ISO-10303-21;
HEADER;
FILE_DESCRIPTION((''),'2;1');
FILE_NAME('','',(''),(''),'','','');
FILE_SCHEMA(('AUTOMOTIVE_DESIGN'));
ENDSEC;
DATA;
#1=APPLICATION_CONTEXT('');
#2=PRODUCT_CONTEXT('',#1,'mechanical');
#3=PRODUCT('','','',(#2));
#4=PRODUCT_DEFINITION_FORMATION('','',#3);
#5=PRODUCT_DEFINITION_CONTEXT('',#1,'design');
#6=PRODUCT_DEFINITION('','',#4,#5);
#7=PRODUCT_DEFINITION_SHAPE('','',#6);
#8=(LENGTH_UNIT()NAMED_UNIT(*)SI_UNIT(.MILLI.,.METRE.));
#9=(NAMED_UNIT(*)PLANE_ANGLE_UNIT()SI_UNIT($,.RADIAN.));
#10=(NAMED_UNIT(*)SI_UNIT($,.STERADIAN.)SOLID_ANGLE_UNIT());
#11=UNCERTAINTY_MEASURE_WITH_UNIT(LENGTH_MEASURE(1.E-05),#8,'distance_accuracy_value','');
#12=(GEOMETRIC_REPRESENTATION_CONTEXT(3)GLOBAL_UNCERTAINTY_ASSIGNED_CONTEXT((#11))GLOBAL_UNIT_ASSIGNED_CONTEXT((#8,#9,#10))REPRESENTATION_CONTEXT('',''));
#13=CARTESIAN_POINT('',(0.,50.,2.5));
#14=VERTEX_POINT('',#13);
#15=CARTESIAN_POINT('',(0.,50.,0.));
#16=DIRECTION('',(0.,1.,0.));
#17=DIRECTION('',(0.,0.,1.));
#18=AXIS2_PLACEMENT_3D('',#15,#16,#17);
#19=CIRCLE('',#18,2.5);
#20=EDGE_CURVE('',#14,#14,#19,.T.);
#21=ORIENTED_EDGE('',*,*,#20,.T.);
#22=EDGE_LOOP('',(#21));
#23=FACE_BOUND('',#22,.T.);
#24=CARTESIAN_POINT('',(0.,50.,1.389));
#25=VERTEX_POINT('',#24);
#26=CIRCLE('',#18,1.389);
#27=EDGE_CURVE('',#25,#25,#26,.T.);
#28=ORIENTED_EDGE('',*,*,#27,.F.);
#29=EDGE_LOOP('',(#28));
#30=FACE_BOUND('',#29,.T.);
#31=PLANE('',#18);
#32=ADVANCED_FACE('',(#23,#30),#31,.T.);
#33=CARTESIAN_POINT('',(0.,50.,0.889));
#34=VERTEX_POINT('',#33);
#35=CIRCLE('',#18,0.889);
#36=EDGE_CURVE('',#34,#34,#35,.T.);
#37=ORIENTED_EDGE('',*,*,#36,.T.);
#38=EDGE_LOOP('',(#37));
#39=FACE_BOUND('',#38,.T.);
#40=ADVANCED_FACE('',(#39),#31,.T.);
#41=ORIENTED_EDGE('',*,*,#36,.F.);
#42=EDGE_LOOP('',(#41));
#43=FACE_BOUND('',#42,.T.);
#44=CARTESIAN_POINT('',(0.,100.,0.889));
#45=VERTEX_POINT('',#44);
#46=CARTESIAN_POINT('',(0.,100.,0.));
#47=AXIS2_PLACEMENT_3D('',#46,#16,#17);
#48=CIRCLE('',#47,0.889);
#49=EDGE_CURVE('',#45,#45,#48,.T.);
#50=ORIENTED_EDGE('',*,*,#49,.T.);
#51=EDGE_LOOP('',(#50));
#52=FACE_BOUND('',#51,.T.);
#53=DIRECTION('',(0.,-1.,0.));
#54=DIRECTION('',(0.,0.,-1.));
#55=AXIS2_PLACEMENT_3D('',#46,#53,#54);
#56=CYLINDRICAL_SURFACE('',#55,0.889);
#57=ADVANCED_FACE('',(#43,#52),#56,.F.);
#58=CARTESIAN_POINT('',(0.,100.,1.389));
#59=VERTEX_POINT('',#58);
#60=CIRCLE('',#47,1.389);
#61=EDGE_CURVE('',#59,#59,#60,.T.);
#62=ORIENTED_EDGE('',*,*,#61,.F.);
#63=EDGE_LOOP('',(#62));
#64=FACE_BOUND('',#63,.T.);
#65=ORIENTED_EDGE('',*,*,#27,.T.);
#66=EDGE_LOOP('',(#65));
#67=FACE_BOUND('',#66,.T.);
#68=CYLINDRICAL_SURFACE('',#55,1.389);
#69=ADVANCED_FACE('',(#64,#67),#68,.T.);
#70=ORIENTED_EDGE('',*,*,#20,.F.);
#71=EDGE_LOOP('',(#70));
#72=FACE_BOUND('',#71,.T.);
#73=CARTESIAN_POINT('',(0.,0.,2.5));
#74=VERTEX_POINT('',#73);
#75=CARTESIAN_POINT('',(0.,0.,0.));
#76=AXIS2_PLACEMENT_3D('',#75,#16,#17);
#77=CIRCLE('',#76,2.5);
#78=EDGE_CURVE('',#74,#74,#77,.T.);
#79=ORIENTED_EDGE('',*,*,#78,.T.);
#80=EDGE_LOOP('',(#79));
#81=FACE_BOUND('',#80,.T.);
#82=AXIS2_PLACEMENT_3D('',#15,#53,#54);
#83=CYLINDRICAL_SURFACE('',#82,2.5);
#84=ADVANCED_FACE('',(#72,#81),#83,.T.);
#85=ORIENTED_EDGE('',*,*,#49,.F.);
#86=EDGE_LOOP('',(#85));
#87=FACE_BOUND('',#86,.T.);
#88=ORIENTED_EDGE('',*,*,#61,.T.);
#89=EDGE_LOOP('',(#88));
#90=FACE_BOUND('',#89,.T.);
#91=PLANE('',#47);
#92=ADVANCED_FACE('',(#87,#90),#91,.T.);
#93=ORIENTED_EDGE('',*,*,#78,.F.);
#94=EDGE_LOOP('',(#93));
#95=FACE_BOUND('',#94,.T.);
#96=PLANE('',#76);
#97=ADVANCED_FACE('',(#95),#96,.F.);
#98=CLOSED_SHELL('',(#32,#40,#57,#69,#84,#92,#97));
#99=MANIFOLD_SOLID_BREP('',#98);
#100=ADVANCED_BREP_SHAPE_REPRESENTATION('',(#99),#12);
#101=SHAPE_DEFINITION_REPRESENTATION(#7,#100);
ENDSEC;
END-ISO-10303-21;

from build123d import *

# Parameters (mm, degrees)
SKETCH1_R           = 1.389
SKETCH1_R_2         = 0.889
BOSS_EXTRUDE1_DEPTH = 100
SKETCH2_R           = 2.5
BOSS_EXTRUDE2_DEPTH = 50


with BuildPart() as part:
    # Sketch1 → Boss-Extrude1 (new body)
    with BuildSketch(Plane(origin=(0, 0, 0), x_dir=(1, 0, 0), z_dir=(0, 1, 0))):
        Circle(SKETCH1_R)
        Circle(SKETCH1_R_2, mode=Mode.SUBTRACT)
    extrude(amount=BOSS_EXTRUDE1_DEPTH)

    # Sketch2 → Boss-Extrude2 (add)
    with BuildSketch(Plane(origin=(0, 0, 0), x_dir=(1, 0, 0), z_dir=(0, 1, 0))):
        Circle(SKETCH2_R)
    extrude(amount=BOSS_EXTRUDE2_DEPTH)


solid = part.part
